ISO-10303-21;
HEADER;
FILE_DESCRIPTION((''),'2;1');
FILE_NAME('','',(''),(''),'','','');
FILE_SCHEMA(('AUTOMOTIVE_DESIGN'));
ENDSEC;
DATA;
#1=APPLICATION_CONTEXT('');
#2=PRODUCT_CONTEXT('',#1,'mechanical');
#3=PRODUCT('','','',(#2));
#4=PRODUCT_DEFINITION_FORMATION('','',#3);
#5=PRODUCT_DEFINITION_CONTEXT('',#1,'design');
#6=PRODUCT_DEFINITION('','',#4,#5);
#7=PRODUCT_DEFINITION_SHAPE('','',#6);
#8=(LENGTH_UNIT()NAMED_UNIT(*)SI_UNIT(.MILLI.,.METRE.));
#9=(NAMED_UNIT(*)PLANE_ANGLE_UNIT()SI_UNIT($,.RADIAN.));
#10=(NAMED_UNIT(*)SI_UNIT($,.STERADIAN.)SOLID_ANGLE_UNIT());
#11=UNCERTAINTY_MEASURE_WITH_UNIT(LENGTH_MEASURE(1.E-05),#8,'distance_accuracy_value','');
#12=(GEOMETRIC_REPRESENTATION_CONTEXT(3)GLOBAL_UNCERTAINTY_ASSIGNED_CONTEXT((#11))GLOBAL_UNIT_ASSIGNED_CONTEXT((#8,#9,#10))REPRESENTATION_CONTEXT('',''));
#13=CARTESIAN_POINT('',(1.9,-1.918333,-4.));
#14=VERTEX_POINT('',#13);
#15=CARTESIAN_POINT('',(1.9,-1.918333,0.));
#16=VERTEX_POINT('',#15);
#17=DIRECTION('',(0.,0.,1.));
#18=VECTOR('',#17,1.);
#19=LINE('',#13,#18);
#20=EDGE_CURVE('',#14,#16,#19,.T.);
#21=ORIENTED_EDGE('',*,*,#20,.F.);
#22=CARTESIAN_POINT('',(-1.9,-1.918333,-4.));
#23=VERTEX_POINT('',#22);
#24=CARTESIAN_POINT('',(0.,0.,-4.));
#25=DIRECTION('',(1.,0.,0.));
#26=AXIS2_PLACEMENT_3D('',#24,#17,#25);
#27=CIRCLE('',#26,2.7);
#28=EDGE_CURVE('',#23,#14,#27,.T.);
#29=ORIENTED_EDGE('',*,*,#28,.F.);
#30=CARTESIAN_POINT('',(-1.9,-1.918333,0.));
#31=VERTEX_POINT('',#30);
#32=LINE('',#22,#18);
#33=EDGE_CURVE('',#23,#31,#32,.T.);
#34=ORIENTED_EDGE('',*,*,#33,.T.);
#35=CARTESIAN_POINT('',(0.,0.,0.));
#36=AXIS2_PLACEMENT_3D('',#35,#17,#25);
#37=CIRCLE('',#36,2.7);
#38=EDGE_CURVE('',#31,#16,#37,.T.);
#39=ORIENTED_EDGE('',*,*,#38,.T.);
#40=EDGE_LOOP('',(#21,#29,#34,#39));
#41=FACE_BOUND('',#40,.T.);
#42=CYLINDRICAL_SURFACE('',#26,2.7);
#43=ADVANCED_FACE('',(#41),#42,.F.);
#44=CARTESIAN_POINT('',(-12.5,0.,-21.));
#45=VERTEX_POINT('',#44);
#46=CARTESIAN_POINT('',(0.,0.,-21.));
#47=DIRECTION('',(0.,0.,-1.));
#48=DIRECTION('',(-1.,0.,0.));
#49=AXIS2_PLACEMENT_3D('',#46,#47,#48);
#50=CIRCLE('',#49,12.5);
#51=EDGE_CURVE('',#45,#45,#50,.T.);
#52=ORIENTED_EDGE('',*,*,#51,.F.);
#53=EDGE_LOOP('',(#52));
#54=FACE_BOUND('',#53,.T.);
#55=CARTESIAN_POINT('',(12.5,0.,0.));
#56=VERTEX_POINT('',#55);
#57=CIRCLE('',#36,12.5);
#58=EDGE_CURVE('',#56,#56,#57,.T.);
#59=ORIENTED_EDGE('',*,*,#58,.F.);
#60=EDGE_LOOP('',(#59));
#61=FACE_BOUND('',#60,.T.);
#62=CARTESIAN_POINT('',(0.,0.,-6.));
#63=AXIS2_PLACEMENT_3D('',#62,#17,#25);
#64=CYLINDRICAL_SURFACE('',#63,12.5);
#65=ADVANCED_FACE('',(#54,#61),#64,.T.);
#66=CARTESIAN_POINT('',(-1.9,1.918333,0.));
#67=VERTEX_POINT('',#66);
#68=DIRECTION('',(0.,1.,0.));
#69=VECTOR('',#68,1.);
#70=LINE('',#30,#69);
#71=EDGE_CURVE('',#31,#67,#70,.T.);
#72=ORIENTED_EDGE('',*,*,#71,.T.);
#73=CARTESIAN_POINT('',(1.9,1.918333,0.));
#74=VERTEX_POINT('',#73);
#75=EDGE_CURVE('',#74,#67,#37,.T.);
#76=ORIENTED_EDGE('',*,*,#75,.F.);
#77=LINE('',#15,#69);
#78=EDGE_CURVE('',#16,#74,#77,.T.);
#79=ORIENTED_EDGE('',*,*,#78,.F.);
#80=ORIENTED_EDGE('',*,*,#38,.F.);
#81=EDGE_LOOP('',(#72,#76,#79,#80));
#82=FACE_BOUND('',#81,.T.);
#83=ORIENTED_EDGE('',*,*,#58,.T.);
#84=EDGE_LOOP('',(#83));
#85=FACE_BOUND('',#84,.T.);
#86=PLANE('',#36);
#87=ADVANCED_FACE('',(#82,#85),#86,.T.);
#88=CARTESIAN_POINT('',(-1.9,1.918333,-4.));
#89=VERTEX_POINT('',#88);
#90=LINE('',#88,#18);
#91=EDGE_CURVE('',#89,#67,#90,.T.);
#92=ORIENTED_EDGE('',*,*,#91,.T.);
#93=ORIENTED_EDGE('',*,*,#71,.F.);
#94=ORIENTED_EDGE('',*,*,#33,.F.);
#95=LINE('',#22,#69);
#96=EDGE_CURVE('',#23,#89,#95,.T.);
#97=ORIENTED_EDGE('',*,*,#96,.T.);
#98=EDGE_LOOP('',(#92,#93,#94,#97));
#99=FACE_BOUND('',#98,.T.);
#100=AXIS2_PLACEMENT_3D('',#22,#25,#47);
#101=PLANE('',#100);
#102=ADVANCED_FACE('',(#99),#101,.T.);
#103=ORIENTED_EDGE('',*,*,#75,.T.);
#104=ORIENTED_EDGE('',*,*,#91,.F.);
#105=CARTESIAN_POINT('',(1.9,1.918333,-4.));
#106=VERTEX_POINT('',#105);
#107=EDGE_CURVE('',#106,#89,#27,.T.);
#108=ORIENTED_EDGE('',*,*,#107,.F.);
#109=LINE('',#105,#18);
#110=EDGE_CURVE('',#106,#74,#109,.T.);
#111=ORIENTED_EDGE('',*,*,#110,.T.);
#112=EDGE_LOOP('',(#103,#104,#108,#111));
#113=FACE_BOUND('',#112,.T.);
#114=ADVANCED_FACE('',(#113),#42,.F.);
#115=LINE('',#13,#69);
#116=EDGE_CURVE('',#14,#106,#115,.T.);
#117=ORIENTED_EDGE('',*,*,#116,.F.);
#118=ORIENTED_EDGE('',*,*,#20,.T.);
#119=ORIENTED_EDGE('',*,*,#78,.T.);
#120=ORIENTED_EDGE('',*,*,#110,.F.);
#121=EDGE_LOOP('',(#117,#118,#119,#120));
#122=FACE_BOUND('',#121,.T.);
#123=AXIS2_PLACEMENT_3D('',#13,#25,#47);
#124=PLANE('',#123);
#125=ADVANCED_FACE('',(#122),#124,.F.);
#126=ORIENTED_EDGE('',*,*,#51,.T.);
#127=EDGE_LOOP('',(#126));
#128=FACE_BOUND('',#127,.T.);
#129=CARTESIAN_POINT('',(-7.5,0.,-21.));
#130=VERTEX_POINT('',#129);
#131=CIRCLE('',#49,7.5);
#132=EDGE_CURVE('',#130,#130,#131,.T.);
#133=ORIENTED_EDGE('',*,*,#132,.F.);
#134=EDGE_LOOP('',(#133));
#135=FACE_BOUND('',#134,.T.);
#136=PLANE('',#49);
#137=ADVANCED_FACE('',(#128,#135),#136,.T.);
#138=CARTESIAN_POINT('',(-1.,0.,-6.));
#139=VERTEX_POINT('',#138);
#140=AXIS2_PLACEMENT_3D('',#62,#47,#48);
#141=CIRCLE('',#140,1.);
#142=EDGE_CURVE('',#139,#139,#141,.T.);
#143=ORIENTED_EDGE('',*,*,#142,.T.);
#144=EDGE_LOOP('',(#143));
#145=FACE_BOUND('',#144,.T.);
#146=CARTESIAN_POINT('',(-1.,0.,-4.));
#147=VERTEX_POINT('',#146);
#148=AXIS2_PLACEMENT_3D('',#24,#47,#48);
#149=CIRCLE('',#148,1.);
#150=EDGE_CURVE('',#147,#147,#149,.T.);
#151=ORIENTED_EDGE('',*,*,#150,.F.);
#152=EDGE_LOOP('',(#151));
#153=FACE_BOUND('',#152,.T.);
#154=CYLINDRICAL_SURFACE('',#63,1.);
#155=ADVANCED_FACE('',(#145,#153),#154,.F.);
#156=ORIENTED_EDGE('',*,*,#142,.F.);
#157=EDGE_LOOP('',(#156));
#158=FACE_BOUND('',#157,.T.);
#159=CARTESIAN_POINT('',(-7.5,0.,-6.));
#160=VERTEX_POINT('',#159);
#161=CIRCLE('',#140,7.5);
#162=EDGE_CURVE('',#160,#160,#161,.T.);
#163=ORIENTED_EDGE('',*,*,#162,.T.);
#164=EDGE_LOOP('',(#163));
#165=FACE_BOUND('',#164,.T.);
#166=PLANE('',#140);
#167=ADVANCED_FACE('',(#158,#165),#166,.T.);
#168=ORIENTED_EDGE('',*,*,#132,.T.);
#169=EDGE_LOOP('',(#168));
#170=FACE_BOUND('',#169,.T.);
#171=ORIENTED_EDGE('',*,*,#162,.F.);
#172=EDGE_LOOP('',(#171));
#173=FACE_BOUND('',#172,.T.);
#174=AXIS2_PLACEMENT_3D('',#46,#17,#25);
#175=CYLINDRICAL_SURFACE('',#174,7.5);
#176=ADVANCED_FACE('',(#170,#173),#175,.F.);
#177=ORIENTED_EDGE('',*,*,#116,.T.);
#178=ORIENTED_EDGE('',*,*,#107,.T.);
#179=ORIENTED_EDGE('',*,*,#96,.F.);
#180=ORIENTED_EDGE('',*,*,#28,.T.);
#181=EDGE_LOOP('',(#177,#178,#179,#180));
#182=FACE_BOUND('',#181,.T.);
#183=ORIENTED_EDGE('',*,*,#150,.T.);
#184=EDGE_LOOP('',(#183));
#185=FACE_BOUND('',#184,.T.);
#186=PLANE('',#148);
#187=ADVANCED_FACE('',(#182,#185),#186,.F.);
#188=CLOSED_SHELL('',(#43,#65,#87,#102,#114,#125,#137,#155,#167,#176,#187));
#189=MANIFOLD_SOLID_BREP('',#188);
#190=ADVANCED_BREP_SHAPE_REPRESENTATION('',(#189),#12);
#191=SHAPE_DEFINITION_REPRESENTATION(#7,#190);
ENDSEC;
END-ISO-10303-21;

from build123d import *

# Parameters (mm, degrees)
SKETCH2_R           = 25
BOSS_EXTRUDE1_DEPTH = 4
SKETCH3_R           = 25
SKETCH3_R_2         = 1
BOSS_EXTRUDE2_DEPTH = 2
CUT_EXTRUDE1_DEPTH  = 36.860842154
CIRPATTERN1_COUNT   = 30
SKETCH6_R           = 25
SKETCH6_R_2         = 12.5
CUT_EXTRUDE2_DEPTH  = 36.860842154
SKETCH7_R           = 12.5
SKETCH7_R_2         = 7.5
BOSS_EXTRUDE3_DEPTH = 15


with BuildPart() as part:
    # Sketch2 → Boss-Extrude1 (new body)
    with BuildSketch(Plane.XY):
        Circle(SKETCH2_R)
        with BuildLine():
            Line((1.9, -1.918332609), (1.9, 1.918332609))
            ThreePointArc((1.9, 1.918332609), (0, 2.7), (-1.9, 1.918332609))
            Line((-1.9, 1.918332609), (-1.9, -1.918332609))
            ThreePointArc((-1.9, -1.918332609), (0, -2.7), (1.9, -1.918332609))
        make_face(mode=Mode.SUBTRACT)
    extrude(amount=-BOSS_EXTRUDE1_DEPTH)

    # Sketch3 → Boss-Extrude2 (add)
    with BuildSketch(Plane(origin=(0, 0, -4), x_dir=(-1, 0, 0), z_dir=(0, 0, -1))):
        with Locations(Location((0, 0, 0), (0, 0, 180))):
            Circle(SKETCH3_R)
        Circle(SKETCH3_R_2, mode=Mode.SUBTRACT)
    extrude(amount=BOSS_EXTRUDE2_DEPTH)

    # Sketch4 → Cut-Extrude1 (cut, symmetric)
    with BuildSketch(Plane.XY):
        with BuildLine():
            Line((-0.857142857, 18), (0.857142857, 18))
            Line((0.857142857, 18), (0.998868138, 20.976230892))
            ThreePointArc((0.998868138, 20.976230892), (0, 21), (-0.998868138, 20.976230892))
            Line((-0.998868138, 20.976230892), (-0.857142857, 18))
        make_face()
    cut_extrude1 = extrude(amount=CUT_EXTRUDE1_DEPTH, both=True, mode=Mode.SUBTRACT)

    # CirPattern1: Cut-Extrude1 ×30 about axis
    cirpattern1_axis = Axis((0, 0, 0), (0, 0, 1))
    for i in range(1, CIRPATTERN1_COUNT):
        add(cut_extrude1.rotate(cirpattern1_axis, i * 360 / CIRPATTERN1_COUNT), mode=Mode.SUBTRACT)

    # Sketch6 → Cut-Extrude2 (cut, through all)
    with BuildSketch(Plane.XY):
        Circle(SKETCH6_R)
        Circle(SKETCH6_R_2, mode=Mode.SUBTRACT)
    extrude(amount=-CUT_EXTRUDE2_DEPTH, mode=Mode.SUBTRACT)

    # Sketch7 → Boss-Extrude3 (add)
    with BuildSketch(Plane(origin=(0, 0, -6), x_dir=(-1, 0, 0), z_dir=(0, 0, -1))):
        with Locations(Location((0, 0, 0), (0, 0, 180))):
            Circle(SKETCH7_R)
        Circle(SKETCH7_R_2, mode=Mode.SUBTRACT)
    extrude(amount=BOSS_EXTRUDE3_DEPTH)


solid = part.part
